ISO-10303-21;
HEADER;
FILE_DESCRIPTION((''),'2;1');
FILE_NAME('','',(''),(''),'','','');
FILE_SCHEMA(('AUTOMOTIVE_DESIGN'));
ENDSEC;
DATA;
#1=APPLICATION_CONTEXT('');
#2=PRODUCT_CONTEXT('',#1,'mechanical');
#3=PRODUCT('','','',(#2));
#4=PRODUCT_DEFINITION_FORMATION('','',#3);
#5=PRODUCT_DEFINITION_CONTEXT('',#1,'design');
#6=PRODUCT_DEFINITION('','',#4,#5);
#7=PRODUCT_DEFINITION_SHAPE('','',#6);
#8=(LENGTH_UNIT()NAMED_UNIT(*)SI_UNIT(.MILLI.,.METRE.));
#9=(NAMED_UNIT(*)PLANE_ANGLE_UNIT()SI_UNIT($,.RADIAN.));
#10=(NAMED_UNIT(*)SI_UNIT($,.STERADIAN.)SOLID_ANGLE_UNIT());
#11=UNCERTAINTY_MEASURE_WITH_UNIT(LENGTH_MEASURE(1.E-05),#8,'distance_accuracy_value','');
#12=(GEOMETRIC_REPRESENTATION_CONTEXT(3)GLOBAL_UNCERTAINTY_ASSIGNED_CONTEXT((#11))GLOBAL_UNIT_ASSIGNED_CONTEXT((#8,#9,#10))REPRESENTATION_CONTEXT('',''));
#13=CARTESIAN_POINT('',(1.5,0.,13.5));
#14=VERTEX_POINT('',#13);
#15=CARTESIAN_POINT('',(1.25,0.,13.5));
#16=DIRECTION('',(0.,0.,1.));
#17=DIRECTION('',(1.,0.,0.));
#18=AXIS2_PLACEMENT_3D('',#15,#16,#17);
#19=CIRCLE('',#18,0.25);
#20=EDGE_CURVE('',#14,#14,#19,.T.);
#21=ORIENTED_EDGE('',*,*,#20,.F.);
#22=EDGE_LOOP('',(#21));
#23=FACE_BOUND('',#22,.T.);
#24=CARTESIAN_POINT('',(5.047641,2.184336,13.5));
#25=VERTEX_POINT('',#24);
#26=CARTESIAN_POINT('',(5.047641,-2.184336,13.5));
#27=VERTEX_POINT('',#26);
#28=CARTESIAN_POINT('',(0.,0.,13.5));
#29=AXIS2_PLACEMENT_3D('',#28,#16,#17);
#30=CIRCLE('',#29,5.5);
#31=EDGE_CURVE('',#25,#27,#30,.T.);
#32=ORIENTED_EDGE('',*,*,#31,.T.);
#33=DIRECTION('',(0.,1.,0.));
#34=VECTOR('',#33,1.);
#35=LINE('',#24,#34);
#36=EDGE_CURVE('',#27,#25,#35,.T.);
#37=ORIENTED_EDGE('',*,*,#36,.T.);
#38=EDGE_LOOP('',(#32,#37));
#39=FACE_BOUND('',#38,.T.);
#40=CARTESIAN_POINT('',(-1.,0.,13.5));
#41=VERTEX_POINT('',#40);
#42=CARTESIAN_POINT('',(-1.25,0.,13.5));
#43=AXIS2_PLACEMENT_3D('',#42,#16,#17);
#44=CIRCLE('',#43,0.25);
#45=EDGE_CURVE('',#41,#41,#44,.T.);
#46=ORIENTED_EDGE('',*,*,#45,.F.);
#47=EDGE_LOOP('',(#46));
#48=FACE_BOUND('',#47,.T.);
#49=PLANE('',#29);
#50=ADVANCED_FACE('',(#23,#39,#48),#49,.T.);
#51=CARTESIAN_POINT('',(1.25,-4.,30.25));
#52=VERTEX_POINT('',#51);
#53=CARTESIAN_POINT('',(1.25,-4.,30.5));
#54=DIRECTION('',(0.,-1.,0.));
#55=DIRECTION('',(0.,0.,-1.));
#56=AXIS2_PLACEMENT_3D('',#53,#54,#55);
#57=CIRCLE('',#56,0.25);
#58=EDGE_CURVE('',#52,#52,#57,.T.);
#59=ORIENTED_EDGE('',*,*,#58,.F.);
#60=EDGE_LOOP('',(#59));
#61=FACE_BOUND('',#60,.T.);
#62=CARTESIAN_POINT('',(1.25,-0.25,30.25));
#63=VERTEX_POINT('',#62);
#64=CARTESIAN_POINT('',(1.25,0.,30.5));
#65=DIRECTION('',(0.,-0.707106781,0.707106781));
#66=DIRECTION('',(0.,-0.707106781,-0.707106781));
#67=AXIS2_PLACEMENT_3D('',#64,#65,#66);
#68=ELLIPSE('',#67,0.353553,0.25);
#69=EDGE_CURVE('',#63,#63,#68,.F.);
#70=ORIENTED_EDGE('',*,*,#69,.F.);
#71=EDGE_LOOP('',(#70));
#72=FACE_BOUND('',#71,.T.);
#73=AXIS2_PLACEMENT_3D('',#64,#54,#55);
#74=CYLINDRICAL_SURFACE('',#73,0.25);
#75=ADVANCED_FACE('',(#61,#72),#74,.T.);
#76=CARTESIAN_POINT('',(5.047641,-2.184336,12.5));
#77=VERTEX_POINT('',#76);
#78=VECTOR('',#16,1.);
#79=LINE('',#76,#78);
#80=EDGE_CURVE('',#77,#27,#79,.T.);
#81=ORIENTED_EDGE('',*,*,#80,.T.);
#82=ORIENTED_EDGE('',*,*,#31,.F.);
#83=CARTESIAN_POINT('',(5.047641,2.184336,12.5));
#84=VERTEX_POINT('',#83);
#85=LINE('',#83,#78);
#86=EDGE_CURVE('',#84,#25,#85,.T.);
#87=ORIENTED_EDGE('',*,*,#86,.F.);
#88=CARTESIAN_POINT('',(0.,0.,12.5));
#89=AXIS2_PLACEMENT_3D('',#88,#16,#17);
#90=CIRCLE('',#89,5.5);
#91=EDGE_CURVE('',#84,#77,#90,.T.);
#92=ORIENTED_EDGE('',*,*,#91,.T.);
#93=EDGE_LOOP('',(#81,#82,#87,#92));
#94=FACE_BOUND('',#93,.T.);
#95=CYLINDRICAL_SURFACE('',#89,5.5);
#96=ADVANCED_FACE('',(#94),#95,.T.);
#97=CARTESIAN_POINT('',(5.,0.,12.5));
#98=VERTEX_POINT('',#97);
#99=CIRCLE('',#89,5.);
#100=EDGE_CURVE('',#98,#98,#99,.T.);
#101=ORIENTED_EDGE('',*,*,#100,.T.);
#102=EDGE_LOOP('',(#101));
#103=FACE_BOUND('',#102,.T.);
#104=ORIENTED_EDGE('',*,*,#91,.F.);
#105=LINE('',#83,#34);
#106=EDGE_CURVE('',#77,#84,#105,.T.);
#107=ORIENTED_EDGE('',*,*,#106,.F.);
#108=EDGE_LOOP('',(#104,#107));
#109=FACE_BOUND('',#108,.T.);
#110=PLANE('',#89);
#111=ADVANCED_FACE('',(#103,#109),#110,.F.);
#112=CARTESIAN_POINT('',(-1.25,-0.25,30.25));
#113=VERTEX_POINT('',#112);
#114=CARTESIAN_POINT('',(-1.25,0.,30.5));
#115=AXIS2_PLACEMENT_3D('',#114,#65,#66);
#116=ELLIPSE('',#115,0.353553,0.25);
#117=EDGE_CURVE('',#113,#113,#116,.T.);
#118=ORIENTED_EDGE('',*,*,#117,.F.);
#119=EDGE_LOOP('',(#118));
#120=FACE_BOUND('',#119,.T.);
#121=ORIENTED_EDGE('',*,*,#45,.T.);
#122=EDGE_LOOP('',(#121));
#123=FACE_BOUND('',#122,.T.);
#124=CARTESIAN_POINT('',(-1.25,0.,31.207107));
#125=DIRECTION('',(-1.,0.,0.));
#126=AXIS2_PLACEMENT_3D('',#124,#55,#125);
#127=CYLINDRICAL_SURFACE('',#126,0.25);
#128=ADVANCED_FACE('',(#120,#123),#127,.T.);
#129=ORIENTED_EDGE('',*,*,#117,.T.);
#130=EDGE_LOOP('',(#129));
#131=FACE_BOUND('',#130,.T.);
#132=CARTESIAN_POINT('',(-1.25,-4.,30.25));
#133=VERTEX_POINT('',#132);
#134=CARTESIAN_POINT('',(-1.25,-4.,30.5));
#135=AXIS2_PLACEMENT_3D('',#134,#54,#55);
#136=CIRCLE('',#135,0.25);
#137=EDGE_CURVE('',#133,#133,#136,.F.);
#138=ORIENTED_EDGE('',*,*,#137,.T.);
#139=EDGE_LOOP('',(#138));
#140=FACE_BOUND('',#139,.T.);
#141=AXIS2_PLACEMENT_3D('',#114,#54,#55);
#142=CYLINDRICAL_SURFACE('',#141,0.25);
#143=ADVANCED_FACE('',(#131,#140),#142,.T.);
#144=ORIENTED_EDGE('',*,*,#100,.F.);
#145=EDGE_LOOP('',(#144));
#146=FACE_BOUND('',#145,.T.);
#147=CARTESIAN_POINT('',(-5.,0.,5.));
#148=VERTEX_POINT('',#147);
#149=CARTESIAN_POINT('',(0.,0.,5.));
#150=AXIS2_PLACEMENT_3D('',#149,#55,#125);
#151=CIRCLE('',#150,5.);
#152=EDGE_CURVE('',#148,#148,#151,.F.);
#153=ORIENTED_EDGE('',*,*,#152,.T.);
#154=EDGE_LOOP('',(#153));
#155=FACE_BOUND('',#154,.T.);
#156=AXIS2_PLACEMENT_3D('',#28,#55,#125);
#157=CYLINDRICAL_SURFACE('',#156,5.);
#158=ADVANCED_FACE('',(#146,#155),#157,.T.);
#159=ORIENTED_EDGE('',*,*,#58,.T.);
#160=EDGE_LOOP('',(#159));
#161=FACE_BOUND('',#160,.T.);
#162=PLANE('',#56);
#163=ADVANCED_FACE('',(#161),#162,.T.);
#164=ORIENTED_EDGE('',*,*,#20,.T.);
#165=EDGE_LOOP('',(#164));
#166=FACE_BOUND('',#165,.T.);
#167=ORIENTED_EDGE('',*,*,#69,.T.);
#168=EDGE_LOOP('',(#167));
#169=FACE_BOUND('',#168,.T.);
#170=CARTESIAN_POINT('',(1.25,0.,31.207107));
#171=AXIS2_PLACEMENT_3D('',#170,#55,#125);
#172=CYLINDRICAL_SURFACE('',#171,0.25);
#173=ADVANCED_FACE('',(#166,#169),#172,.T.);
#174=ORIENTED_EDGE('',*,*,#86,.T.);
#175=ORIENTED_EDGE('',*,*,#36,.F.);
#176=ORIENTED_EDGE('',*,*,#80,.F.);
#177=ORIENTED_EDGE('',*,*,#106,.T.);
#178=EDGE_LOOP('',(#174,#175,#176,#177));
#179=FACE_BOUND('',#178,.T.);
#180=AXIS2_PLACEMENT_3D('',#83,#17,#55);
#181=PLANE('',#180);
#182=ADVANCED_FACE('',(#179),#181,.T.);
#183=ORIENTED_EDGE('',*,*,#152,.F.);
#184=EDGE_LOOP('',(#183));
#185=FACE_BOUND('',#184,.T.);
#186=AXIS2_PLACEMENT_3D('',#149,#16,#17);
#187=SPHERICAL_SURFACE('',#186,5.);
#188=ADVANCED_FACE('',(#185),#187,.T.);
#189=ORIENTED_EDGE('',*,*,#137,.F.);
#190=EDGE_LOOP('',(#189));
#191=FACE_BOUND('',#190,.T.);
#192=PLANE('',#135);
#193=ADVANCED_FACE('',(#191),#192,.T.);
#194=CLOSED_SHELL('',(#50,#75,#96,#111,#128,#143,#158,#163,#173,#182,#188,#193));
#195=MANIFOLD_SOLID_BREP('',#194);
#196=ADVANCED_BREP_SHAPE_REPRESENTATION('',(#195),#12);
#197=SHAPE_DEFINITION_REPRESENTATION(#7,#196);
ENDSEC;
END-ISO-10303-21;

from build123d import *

# Parameters (mm, degrees)
ESQUISSE1_R          = 5
BASE_EXTRUSION_DEPTH = 13.5
BOSS_EXTRU_1_DEPTH   = 1
CONG_1_R             = 5
ESQUISSE3_R          = 0.25


with BuildPart() as part:
    # Esquisse1 → Base-Extrusion (new body)
    with BuildSketch(Plane.XY):
        Circle(ESQUISSE1_R)
    extrude(amount=BASE_EXTRUSION_DEPTH)

    # Esquisse2 → Boss.-Extru.1 (add)
    with BuildSketch(Plane.XY.offset(13.5)):
        with BuildLine():
            Line((5.047640875, 2.184335504), (5.047640875, -2.184335504))
            ThreePointArc((5.047640875, -2.184335504), (-5.5, 0), (5.047640875, 2.184335504))
        make_face()
    extrude(amount=-BOSS_EXTRU_1_DEPTH)

    # Congé1
    cong_1_edges = [part.edges().sort_by_distance(p)[0] for p in [
        (-5, 0, 0),
    ]]
    fillet(cong_1_edges, radius=CONG_1_R)

    # Balayage1: sweep along a path in Esquisse4
    with BuildLine(Plane(origin=(-1.25, 0, 0), x_dir=(0, 0, -1), z_dir=(1, 0, 0))) as balayage1_path:
        Line((-13.5, 0), (-30.5, 0))
        Line((-30.5, 0), (-30.5, -4))
    # Esquisse3 → Balayage1 (sweep)
    with BuildSketch(Plane.XY.offset(13.5)):
        with Locations((-1.25, 0)):
            Circle(ESQUISSE3_R)
    balayage1 = sweep(path=balayage1_path.line, transition=Transition.RIGHT)

    # Symétrie1: Balayage1 across plane
    add(balayage1.mirror(Plane(origin=(0, 0, 0), x_dir=(0, 0, 1), z_dir=(1, 0, 0))))


solid = part.part
